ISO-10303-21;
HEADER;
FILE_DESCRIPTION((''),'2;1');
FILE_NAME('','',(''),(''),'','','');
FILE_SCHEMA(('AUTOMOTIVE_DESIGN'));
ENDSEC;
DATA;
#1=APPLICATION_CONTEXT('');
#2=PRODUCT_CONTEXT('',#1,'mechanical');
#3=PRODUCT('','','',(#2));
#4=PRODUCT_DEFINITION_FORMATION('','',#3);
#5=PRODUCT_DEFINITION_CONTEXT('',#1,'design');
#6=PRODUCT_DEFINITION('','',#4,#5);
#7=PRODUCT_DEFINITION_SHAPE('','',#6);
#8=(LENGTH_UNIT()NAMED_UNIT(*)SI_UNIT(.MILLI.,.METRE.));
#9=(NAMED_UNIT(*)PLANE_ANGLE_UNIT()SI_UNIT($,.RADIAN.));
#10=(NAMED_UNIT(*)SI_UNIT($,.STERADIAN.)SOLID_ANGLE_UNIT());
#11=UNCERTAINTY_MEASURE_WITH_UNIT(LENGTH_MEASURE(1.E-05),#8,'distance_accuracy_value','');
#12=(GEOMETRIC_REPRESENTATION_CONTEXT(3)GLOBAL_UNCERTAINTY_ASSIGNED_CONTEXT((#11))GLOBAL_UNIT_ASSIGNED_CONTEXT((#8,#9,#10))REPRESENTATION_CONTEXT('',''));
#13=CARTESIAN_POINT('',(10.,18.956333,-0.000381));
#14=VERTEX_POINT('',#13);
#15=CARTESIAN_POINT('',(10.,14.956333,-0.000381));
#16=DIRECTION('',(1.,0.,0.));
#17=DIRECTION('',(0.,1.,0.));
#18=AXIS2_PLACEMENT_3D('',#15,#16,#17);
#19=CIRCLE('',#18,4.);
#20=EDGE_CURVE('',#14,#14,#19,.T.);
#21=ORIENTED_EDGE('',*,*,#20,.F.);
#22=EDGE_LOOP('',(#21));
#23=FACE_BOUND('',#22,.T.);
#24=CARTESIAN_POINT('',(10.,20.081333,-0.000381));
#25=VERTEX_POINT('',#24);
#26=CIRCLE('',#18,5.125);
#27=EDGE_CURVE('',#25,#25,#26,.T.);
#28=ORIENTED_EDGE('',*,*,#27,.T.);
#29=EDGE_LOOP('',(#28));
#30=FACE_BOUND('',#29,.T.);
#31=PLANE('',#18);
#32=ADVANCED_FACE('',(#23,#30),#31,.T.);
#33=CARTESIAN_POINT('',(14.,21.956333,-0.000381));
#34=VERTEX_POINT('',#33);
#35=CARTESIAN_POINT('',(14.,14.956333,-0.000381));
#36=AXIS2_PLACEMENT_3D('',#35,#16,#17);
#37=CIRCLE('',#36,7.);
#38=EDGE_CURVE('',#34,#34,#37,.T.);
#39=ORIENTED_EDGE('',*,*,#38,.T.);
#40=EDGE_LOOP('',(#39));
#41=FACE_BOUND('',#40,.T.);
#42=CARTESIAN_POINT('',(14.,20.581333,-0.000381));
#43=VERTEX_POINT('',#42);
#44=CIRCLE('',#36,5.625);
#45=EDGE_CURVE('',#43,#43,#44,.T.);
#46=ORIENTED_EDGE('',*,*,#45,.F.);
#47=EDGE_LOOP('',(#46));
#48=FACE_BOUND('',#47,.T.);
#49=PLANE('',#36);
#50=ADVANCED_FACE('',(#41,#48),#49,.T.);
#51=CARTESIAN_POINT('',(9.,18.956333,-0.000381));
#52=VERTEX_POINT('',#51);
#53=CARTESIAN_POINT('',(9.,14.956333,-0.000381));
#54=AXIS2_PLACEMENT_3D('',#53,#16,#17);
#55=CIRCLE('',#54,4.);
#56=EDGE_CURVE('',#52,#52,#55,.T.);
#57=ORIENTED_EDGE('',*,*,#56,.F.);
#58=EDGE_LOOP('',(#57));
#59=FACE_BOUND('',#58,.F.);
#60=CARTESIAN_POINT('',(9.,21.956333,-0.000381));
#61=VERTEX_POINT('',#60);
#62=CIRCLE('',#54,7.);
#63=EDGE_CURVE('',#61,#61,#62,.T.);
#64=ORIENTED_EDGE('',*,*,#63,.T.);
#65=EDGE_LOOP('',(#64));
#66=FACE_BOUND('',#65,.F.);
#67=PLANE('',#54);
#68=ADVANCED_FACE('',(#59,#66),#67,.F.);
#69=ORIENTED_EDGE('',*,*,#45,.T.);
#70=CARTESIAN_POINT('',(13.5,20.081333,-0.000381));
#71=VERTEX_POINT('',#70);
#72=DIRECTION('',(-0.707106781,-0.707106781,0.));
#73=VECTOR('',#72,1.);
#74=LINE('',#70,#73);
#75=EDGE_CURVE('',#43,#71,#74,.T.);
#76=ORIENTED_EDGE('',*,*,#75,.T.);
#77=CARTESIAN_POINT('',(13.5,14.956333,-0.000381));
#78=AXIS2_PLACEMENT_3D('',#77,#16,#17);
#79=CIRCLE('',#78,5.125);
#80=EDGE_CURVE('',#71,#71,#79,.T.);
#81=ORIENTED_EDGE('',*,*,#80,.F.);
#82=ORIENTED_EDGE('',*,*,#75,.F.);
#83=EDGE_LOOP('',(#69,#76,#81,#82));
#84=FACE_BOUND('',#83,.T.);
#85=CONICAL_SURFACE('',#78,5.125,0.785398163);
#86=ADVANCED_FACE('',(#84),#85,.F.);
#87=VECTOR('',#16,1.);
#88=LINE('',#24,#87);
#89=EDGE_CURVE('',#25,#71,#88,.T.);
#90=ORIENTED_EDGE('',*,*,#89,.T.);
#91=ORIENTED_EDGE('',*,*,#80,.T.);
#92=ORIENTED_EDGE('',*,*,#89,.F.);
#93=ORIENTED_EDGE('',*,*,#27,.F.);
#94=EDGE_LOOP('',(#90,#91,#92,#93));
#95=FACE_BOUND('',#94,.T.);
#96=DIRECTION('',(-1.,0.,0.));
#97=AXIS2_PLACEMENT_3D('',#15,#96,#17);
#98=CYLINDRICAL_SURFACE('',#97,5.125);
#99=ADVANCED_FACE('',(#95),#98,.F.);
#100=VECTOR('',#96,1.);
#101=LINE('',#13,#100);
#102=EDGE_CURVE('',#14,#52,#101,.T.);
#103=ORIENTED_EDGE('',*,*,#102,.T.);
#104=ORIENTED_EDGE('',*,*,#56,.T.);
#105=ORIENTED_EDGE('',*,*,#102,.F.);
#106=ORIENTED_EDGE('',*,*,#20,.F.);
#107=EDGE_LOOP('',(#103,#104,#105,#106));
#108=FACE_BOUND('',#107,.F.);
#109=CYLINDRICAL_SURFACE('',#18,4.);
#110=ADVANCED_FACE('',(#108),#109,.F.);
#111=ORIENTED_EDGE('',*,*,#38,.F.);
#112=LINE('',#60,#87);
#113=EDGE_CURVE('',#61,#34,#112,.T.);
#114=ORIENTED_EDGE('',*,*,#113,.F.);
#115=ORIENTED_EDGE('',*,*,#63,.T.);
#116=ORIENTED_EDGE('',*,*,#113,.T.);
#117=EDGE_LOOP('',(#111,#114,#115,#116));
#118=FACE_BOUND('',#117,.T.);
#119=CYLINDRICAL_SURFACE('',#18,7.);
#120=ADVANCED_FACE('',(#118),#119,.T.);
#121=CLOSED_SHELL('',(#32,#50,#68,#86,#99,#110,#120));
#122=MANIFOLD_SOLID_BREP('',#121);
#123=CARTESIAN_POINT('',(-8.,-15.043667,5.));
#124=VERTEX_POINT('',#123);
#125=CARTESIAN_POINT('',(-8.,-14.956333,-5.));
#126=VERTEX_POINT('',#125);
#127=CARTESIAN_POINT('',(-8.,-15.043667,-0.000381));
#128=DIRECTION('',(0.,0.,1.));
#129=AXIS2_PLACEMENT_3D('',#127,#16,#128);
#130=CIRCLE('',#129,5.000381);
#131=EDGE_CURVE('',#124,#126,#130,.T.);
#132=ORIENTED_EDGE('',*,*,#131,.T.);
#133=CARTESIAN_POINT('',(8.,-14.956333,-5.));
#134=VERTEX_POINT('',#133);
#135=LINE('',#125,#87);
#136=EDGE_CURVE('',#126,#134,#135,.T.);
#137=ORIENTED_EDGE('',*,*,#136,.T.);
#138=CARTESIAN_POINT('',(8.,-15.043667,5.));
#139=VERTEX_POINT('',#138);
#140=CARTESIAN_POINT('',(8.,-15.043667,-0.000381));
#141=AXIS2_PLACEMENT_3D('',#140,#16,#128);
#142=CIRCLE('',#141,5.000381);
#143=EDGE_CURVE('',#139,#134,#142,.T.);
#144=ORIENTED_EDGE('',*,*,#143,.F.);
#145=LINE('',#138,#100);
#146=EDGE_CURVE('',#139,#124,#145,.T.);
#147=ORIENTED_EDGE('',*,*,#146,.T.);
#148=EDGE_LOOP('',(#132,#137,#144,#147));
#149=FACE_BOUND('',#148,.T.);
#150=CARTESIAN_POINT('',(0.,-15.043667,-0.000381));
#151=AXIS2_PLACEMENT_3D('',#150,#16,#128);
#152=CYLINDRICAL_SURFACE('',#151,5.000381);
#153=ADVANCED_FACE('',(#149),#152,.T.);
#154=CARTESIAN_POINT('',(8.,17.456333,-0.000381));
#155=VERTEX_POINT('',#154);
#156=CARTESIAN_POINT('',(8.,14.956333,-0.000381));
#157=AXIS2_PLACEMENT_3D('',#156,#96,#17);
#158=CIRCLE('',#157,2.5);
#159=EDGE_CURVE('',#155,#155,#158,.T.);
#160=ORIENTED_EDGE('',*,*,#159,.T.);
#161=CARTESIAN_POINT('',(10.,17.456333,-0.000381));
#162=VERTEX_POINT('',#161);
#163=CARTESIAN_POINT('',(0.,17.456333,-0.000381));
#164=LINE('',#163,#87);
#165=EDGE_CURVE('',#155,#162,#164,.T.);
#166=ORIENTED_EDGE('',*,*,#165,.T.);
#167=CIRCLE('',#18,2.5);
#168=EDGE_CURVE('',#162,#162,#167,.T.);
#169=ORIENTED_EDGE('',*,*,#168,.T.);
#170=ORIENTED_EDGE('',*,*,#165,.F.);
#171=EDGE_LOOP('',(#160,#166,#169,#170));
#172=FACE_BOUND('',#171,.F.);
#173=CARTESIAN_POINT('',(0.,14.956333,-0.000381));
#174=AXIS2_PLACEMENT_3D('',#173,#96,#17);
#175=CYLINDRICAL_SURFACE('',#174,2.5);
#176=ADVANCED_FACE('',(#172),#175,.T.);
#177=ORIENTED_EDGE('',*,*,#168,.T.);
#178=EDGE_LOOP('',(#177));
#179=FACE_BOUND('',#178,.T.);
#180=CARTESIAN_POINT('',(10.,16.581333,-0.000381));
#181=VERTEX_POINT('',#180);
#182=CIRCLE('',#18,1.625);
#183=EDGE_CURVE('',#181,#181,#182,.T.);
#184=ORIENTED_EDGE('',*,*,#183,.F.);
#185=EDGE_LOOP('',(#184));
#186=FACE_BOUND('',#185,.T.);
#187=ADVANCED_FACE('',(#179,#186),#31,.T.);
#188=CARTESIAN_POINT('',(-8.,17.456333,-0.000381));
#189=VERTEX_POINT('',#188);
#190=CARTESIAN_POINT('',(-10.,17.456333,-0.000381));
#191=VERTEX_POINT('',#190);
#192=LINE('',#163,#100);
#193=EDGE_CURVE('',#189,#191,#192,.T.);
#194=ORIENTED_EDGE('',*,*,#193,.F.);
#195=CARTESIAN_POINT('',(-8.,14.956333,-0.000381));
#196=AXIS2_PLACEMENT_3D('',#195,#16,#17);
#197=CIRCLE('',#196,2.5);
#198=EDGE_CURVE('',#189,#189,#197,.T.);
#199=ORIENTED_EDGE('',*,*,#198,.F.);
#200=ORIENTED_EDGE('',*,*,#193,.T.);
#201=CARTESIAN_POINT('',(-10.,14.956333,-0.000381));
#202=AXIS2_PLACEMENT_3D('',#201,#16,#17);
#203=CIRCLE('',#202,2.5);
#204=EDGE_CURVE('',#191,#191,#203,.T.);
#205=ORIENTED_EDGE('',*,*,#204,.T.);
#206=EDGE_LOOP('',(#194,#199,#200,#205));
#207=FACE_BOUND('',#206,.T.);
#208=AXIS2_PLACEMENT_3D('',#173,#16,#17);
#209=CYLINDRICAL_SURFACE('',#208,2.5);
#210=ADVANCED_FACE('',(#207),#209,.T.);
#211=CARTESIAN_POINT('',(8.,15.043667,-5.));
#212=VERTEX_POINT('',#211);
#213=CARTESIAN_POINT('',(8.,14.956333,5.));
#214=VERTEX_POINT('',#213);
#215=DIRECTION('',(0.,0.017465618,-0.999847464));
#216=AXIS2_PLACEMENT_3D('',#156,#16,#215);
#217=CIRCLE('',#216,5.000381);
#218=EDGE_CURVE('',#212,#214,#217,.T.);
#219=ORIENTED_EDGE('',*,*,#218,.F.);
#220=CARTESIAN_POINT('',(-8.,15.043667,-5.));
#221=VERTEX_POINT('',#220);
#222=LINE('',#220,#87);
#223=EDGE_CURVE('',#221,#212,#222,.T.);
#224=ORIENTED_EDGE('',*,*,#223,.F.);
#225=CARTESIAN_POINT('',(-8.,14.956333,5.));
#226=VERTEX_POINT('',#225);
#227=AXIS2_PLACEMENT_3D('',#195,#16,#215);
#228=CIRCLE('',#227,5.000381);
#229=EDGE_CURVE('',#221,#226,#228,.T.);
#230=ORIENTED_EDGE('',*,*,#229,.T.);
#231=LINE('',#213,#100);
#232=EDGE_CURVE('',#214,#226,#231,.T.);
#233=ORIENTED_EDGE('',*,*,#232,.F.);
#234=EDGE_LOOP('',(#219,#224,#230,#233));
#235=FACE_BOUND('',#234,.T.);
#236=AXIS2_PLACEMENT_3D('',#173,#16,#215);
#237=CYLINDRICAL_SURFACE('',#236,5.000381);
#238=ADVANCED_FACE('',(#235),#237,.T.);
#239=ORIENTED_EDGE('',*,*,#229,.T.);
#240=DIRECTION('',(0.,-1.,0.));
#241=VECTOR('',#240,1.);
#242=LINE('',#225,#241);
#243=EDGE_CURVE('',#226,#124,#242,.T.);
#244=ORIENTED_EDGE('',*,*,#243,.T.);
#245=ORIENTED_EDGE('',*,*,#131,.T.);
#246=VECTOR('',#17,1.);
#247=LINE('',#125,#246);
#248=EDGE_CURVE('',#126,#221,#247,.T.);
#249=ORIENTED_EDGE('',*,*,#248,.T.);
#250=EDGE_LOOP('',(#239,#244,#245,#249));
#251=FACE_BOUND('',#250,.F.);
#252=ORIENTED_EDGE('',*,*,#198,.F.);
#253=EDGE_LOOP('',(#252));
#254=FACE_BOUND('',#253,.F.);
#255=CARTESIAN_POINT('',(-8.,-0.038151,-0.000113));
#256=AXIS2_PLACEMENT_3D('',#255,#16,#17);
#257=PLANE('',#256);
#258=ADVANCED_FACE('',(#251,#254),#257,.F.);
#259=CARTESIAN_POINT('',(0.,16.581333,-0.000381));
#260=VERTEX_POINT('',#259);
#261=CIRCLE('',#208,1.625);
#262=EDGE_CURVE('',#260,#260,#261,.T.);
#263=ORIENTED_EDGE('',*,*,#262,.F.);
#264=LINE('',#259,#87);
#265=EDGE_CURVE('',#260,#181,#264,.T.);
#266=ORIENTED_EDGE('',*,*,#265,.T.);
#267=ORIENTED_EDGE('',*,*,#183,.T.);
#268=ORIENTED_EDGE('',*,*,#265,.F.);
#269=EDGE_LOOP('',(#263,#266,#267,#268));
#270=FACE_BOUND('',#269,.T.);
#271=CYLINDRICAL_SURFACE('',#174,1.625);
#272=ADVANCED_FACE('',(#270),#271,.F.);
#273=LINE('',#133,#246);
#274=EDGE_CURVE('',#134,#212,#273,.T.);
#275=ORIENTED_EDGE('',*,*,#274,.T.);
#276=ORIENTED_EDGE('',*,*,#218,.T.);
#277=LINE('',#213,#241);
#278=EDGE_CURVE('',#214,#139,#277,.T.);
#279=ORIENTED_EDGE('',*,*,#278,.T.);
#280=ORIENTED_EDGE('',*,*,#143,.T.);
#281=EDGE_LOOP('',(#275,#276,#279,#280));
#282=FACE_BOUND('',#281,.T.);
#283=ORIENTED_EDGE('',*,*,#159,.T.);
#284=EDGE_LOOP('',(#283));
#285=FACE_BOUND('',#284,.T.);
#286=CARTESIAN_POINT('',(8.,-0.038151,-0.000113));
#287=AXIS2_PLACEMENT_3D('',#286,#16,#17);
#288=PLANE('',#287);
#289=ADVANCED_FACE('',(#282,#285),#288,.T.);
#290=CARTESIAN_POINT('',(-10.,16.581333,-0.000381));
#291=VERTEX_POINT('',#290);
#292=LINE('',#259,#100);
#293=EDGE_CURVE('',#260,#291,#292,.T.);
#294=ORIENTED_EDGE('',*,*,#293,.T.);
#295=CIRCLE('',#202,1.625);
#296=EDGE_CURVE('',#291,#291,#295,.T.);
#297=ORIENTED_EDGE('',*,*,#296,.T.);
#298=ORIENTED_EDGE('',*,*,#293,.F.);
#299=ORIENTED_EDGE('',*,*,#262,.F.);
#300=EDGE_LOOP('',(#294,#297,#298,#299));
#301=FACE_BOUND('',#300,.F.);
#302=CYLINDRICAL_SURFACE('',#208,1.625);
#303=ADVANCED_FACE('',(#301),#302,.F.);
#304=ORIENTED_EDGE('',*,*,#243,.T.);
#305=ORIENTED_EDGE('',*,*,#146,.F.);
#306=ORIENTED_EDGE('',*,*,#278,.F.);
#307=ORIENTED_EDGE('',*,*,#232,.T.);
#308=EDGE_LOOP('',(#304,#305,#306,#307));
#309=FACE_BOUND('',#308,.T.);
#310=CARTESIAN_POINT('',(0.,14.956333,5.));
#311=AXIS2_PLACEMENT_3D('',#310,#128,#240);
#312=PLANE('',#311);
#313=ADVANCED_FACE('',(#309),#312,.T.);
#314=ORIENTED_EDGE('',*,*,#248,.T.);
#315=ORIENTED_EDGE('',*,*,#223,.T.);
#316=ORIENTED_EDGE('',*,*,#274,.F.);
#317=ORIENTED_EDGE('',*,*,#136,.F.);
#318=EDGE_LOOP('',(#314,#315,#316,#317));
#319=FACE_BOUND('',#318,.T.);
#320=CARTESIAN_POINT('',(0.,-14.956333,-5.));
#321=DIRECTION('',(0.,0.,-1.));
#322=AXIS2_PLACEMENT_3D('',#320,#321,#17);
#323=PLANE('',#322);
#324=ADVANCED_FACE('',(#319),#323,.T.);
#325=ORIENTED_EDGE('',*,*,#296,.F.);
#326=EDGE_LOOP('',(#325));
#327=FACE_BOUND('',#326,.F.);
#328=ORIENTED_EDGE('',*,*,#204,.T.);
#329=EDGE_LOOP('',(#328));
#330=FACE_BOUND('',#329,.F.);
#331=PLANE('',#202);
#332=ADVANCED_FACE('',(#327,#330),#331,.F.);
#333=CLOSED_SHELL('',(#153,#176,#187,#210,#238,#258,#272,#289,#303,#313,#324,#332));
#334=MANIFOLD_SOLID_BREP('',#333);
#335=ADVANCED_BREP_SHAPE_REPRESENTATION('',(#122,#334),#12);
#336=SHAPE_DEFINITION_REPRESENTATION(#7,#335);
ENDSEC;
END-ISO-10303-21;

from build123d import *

# Parameters (mm, degrees)
F1_DEPTH      = 8
F1_DEPTH_BACK = 8
F2_R          = 2.5
F3_DEPTH      = 10
F3_DEPTH_BACK = 10
F4_R          = 1.625
F5_DEPTH      = 10
F5_DEPTH_BACK = 10
F6_R          = 5.125
F6_R_2        = 4
F7_DEPTH      = 1
F8_R          = 7
F8_R_2        = 5.125
F9_DEPTH      = 4
F9_DEPTH_BACK = 1
F10_SIZE      = 0.5


with BuildPart() as f1:
    # F0 (on Right) → F1 (new body, two sides)
    with BuildSketch(Plane.YZ) as f1_sk:
        with BuildLine():
            ThreePointArc((-15.0436673748, 5), (-20.0438580552, -0.0440504081), (-14.9563326252, -5))
            Line((-14.9563326252, -5), (15.0436673748, -5))
            ThreePointArc((15.0436673748, -5), (19.9565233055, 0.0432876722), (14.9563326252, 5))
            Line((14.9563326252, 5), (-15.0436673748, 5))
        make_face()
    extrude(amount=F1_DEPTH)
    extrude(f1_sk.sketch, amount=-F1_DEPTH_BACK)

    # F2 (on Right) → F3 (join, two sides)
    with BuildSketch(Plane.YZ) as f3_sk:
        with Locations((14.9563326252, -0.0003813679)):
            Circle(F2_R)
    extrude(amount=F3_DEPTH)
    extrude(f3_sk.sketch, amount=-F3_DEPTH_BACK)

    # F4 (on Right) → F5 (cut, two sides)
    with BuildSketch(Plane.YZ) as f5_sk:
        with Locations((14.9563326252, -0.0003813679)):
            Circle(F4_R)
    extrude(amount=-F5_DEPTH, mode=Mode.SUBTRACT)
    extrude(f5_sk.sketch, amount=F5_DEPTH_BACK, mode=Mode.SUBTRACT)


with BuildPart() as f7:
    # F6 (on face) → F7 (new body)
    with BuildSketch(Plane.YZ.offset(10)):
        with Locations((14.9563326252, -0.0003813679)):
            Circle(F6_R)
        with Locations((14.9563326252, -0.0003813679)):
            Circle(F6_R_2, mode=Mode.SUBTRACT)
    extrude(amount=-F7_DEPTH)

    # F8 (on face) → F9 (join, two sides)
    with BuildSketch(Plane.YZ.offset(10)) as f9_sk:
        with Locations((14.9563326252, -0.0003813679)):
            Circle(F8_R)
        with Locations((14.9563326252, -0.0003813679)):
            Circle(F8_R_2, mode=Mode.SUBTRACT)
    extrude(amount=F9_DEPTH)
    extrude(f9_sk.sketch, amount=-F9_DEPTH_BACK)

    # F10
    f10_edges = [f7.edges().sort_by_distance(p)[0] for p in [
        (14, 9.831333, -0.000381),
    ]]
    chamfer(f10_edges, length=F10_SIZE)


solid = Compound([f1.part, f7.part])
